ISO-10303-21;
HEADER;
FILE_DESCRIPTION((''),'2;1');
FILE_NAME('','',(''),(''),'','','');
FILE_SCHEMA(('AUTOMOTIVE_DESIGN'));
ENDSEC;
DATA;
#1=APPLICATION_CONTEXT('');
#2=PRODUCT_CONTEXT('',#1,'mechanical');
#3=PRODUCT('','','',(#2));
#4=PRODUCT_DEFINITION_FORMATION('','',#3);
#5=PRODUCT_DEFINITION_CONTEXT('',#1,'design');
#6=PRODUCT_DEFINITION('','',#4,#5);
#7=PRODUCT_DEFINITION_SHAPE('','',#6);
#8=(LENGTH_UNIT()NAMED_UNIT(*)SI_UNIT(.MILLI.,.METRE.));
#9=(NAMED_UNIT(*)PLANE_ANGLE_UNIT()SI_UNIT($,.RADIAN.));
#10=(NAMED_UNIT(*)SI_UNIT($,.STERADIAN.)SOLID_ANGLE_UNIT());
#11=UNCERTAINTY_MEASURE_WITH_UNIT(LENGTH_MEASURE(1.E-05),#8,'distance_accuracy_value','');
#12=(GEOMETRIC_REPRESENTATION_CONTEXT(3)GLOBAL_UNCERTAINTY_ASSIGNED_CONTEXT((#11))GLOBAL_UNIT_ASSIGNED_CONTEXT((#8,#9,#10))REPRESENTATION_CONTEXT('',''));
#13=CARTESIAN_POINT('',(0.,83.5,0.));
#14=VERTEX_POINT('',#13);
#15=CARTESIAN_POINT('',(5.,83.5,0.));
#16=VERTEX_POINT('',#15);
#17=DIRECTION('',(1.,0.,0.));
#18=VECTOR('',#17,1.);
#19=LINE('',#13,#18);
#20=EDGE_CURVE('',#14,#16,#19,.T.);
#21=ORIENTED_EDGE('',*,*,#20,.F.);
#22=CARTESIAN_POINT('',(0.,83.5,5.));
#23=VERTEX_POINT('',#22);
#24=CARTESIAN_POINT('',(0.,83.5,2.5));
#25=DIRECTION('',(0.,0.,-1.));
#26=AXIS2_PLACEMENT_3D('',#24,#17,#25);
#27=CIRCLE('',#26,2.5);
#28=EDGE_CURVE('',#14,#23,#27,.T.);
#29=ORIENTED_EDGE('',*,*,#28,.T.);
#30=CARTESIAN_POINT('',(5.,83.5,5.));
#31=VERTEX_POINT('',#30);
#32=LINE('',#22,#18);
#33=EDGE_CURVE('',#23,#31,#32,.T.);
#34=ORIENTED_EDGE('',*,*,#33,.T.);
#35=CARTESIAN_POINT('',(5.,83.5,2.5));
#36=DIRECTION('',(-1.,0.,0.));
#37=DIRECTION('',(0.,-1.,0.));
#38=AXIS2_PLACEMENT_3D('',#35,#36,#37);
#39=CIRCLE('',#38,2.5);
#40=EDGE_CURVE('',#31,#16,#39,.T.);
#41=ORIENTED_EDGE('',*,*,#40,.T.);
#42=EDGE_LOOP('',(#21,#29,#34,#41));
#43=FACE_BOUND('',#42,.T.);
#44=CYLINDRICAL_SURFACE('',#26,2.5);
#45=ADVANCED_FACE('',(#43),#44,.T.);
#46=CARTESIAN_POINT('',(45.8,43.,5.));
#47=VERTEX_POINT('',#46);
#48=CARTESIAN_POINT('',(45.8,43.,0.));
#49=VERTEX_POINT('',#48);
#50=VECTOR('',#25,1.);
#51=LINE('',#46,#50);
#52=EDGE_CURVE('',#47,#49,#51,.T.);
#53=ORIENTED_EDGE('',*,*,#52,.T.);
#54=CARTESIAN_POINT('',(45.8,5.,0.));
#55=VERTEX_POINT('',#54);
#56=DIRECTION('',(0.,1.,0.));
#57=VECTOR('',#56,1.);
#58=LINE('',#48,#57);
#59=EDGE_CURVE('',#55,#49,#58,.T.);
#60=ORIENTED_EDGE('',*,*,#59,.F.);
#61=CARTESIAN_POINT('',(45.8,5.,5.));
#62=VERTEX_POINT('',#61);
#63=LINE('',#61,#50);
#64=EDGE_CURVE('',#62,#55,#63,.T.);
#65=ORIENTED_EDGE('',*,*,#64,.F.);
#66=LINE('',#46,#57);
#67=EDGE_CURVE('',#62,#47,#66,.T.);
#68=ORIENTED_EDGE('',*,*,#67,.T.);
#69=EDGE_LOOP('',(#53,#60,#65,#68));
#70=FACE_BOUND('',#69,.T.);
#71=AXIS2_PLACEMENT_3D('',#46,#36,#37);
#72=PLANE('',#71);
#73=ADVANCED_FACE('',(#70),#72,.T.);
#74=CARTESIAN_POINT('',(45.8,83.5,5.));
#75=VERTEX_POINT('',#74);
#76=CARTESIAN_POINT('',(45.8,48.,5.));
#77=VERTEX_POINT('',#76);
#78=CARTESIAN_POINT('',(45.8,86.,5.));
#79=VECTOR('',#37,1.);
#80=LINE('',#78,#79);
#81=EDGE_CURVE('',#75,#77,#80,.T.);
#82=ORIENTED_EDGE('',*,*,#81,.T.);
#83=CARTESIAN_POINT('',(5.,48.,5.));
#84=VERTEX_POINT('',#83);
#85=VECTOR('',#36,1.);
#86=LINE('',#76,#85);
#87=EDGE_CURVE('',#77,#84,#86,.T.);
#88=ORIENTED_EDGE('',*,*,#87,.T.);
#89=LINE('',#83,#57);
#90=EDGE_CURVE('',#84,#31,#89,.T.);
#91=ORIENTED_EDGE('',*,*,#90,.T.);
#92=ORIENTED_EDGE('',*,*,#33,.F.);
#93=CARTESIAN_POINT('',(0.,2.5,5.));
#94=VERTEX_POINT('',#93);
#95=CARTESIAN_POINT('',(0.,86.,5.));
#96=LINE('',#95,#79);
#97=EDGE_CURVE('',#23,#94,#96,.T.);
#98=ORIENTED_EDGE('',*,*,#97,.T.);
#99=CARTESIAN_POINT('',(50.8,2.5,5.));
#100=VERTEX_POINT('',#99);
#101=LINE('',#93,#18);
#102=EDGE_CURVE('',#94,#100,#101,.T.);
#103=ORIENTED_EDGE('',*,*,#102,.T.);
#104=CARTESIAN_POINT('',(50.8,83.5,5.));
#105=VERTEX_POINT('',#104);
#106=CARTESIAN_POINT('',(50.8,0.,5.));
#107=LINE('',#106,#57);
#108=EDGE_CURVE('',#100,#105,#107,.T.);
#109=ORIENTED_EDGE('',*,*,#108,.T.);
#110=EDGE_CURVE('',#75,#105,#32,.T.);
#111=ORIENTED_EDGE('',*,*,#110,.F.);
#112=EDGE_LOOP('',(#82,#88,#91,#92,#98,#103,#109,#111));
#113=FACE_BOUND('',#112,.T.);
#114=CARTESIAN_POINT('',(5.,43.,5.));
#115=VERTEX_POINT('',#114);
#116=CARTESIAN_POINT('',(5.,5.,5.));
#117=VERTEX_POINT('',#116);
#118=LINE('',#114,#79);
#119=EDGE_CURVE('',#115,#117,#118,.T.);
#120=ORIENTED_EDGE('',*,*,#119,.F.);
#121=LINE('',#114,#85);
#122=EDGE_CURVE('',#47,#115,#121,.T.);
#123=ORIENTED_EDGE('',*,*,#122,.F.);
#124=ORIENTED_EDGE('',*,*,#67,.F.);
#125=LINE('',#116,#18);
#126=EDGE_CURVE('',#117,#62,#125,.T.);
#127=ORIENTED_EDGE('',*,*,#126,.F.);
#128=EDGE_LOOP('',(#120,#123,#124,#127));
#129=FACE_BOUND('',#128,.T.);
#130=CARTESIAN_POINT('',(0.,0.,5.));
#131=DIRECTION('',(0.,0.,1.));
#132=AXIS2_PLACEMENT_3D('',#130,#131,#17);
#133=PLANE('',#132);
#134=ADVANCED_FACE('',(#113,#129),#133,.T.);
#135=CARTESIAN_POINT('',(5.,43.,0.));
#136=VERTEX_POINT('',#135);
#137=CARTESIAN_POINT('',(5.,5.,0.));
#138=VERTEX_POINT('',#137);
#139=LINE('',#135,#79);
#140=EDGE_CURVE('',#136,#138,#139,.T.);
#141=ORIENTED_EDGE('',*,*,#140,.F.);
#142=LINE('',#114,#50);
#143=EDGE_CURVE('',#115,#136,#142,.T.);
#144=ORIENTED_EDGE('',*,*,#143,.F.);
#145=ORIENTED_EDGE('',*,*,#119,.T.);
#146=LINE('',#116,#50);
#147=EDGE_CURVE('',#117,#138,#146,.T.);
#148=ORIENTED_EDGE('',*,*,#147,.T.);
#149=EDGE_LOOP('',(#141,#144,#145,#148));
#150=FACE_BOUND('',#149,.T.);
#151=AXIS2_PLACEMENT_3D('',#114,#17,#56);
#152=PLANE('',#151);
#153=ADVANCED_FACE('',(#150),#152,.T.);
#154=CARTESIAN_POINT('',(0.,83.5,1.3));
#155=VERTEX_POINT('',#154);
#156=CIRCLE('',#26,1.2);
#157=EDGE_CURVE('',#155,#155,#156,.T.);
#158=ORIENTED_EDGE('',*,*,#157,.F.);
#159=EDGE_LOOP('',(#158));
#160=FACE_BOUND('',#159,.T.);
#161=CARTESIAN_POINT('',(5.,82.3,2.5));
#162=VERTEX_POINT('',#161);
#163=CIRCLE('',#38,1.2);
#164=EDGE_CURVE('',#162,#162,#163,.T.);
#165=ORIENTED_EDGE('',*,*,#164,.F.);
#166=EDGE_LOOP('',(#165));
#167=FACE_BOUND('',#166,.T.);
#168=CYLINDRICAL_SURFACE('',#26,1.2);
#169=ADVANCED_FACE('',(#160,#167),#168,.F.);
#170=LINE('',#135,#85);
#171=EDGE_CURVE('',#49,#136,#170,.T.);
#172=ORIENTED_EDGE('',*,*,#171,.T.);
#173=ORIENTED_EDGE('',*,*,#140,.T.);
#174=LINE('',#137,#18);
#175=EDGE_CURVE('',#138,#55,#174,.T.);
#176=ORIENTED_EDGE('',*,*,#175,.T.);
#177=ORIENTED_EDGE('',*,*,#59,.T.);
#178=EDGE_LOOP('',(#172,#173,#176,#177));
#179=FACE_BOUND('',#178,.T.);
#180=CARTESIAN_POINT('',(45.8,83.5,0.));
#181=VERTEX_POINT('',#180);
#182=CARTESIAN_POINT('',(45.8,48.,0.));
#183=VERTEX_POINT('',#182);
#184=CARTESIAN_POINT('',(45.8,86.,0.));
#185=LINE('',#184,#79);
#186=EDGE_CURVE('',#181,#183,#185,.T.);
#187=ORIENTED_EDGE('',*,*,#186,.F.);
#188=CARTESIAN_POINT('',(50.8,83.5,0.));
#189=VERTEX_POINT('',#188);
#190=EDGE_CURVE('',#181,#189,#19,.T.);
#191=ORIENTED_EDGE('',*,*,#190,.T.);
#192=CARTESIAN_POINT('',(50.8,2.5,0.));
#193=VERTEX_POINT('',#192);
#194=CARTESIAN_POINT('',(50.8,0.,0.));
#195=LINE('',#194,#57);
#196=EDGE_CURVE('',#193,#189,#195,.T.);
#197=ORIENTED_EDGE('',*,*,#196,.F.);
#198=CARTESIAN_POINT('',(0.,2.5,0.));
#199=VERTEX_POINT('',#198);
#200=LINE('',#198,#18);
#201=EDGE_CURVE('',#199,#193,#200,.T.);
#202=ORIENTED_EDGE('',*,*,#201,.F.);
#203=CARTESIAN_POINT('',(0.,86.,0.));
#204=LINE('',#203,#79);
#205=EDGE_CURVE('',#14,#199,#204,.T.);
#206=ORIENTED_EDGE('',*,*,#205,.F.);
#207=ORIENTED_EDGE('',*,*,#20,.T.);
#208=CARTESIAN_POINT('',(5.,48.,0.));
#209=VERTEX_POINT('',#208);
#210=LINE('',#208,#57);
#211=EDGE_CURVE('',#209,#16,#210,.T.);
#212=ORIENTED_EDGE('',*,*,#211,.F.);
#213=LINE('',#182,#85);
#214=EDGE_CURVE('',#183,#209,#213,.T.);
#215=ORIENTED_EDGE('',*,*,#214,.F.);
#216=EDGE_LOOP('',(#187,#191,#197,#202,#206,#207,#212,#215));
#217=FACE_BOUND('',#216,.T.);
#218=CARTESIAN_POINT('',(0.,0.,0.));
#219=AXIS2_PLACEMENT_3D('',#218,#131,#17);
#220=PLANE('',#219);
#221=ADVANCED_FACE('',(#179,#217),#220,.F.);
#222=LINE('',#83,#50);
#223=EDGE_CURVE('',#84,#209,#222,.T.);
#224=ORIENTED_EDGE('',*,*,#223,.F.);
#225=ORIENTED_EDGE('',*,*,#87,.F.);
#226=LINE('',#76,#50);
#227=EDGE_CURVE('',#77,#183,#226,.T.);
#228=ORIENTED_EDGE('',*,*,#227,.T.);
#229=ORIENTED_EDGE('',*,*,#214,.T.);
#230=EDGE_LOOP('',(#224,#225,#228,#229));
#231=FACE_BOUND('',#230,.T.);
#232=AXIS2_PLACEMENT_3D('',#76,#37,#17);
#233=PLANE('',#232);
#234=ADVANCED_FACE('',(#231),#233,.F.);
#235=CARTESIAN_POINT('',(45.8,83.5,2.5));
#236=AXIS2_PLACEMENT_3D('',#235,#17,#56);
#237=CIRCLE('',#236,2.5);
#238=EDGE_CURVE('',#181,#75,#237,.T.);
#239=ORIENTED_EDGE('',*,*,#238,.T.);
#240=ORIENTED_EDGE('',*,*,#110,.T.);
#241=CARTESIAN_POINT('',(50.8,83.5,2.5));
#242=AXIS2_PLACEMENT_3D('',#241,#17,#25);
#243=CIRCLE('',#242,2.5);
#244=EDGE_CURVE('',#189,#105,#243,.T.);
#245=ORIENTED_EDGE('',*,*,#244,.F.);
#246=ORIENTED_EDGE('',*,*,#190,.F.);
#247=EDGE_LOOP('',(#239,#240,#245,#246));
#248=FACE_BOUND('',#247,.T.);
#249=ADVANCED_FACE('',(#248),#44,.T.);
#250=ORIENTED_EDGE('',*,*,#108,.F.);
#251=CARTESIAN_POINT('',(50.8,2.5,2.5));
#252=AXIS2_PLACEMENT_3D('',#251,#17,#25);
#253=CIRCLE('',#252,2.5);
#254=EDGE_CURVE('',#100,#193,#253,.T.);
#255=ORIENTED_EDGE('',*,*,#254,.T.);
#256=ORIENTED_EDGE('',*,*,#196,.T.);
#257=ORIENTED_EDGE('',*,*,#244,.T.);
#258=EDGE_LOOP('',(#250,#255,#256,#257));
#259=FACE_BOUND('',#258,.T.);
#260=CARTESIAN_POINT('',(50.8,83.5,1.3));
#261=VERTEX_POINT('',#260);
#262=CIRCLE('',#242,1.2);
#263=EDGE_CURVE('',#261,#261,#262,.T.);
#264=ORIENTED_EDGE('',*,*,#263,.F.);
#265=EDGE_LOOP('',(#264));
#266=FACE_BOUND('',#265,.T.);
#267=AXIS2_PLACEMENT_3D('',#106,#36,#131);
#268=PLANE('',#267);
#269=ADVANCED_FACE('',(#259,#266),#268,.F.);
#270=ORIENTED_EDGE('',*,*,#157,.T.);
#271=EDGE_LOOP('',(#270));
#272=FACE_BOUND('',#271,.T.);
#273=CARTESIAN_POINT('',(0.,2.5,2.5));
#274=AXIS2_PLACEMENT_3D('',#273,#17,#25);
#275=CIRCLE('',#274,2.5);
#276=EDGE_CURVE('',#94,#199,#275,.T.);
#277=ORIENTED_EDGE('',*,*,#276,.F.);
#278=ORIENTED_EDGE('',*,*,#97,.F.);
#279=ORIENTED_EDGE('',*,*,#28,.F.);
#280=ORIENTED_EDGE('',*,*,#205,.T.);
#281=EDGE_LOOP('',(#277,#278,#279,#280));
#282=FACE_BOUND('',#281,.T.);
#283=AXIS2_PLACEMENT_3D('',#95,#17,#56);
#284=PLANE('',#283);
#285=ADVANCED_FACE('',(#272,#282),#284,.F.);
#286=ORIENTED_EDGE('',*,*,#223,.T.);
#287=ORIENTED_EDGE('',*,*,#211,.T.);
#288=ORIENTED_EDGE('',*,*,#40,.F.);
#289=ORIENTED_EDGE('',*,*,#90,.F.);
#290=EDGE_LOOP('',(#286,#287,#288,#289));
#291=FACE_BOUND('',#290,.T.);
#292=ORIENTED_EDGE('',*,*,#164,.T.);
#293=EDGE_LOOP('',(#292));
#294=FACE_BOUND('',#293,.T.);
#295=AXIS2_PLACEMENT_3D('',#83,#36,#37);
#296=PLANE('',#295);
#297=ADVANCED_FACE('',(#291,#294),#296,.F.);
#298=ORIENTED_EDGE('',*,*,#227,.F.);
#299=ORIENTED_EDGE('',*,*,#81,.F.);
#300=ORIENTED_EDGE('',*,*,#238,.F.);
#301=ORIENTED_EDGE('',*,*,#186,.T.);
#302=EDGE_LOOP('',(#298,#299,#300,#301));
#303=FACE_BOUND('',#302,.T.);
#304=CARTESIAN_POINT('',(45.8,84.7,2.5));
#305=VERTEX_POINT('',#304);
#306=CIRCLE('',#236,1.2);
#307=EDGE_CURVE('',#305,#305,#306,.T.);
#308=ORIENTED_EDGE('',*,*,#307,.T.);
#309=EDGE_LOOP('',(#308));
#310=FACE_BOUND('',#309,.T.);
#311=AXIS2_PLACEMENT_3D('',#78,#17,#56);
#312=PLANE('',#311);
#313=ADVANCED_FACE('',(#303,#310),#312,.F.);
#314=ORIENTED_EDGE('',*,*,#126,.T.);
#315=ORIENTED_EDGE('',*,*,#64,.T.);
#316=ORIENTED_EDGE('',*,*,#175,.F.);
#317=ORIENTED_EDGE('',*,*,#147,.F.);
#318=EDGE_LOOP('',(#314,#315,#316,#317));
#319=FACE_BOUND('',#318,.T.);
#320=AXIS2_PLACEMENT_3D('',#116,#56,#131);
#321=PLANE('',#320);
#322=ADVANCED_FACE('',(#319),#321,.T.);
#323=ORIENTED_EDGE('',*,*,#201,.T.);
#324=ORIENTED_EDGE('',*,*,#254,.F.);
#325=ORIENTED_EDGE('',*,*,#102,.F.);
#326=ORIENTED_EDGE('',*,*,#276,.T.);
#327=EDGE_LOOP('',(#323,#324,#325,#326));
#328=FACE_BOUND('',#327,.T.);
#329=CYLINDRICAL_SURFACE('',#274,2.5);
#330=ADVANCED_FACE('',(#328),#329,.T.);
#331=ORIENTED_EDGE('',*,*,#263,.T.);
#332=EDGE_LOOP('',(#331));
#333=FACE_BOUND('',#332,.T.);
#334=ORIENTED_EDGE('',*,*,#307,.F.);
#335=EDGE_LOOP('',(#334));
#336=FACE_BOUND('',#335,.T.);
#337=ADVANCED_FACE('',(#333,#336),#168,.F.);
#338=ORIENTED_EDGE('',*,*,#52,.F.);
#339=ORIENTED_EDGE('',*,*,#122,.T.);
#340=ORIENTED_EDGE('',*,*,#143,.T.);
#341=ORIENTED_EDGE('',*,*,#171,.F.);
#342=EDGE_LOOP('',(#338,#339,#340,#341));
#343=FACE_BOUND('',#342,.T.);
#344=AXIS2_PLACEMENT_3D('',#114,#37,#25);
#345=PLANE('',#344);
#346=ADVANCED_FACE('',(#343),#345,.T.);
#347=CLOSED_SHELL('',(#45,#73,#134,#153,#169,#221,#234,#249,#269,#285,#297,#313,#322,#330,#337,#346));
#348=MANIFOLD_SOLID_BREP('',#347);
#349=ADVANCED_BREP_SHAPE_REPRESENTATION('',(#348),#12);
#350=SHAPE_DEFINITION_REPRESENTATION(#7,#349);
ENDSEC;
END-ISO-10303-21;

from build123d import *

# Parameters (mm, degrees)
SKICA1_W                 = 40.8
SKICA1_H                 = 38
P_IDAT_VYSUNUT_M1_DEPTH  = 5
SKICA2_R                 = 1.2
ODEBRAT_VYSUNUT_M1_DEPTH = 51.8
ODEBRAT_VYSUNUT_M2_DEPTH = 51.8


with BuildPart() as part:
    # Skica1 → Přidat vysunutím1 (new body)
    with BuildSketch(Plane.XY):
        Polygon((0, 86), (0, 0), (50.8, 0), (50.8, 86), (45.8, 86), (45.8, 48), (5, 48), (5, 86), align=None)
        with Locations((25.4, 24)):
            Rectangle(SKICA1_W, SKICA1_H, mode=Mode.SUBTRACT)
    extrude(amount=P_IDAT_VYSUNUT_M1_DEPTH)

    # Skica2 → Odebrat vysunutím1 (cut, through all)
    with BuildSketch(Plane(origin=(50.8, 0, 0), x_dir=(0, 0, -1), z_dir=(1, 0, 0))):
        with BuildLine():
            Line((-5, 86), (-5, 83.5))
            ThreePointArc((-5, 83.5), (-4.267766969, 85.267766937), (-2.500000046, 86))
            Line((-2.500000046, 86), (-5, 86))
        make_face()
        with BuildLine():
            Line((0, 86), (-2.500000046, 86))
            ThreePointArc((-2.500000046, 86), (-0.732233063, 85.267766969), (0, 83.5))
            Line((0, 83.5), (0, 86))
        make_face()
        with Locations((-2.5, 83.5)):
            Circle(SKICA2_R)
    extrude(amount=-ODEBRAT_VYSUNUT_M1_DEPTH, mode=Mode.SUBTRACT)

    # Skica3 → Odebrat vysunutím2 (cut, through all)
    with BuildSketch(Plane(origin=(50.8, 0, 0), x_dir=(0, 0, -1), z_dir=(1, 0, 0))):
        with BuildLine():
            ThreePointArc((-2.5, 0), (-4.267766953, 0.732233047), (-5, 2.5))
            Line((-5, 2.5), (-5, 0))
            Line((-5, 0), (-2.5, 0))
        make_face()
        with BuildLine():
            ThreePointArc((0, 2.5), (-0.732233047, 0.732233047), (-2.5, 0))
            Line((-2.5, 0), (0, 0))
            Line((0, 0), (0, 2.5))
        make_face()
    extrude(amount=-ODEBRAT_VYSUNUT_M2_DEPTH, mode=Mode.SUBTRACT)


solid = part.part
